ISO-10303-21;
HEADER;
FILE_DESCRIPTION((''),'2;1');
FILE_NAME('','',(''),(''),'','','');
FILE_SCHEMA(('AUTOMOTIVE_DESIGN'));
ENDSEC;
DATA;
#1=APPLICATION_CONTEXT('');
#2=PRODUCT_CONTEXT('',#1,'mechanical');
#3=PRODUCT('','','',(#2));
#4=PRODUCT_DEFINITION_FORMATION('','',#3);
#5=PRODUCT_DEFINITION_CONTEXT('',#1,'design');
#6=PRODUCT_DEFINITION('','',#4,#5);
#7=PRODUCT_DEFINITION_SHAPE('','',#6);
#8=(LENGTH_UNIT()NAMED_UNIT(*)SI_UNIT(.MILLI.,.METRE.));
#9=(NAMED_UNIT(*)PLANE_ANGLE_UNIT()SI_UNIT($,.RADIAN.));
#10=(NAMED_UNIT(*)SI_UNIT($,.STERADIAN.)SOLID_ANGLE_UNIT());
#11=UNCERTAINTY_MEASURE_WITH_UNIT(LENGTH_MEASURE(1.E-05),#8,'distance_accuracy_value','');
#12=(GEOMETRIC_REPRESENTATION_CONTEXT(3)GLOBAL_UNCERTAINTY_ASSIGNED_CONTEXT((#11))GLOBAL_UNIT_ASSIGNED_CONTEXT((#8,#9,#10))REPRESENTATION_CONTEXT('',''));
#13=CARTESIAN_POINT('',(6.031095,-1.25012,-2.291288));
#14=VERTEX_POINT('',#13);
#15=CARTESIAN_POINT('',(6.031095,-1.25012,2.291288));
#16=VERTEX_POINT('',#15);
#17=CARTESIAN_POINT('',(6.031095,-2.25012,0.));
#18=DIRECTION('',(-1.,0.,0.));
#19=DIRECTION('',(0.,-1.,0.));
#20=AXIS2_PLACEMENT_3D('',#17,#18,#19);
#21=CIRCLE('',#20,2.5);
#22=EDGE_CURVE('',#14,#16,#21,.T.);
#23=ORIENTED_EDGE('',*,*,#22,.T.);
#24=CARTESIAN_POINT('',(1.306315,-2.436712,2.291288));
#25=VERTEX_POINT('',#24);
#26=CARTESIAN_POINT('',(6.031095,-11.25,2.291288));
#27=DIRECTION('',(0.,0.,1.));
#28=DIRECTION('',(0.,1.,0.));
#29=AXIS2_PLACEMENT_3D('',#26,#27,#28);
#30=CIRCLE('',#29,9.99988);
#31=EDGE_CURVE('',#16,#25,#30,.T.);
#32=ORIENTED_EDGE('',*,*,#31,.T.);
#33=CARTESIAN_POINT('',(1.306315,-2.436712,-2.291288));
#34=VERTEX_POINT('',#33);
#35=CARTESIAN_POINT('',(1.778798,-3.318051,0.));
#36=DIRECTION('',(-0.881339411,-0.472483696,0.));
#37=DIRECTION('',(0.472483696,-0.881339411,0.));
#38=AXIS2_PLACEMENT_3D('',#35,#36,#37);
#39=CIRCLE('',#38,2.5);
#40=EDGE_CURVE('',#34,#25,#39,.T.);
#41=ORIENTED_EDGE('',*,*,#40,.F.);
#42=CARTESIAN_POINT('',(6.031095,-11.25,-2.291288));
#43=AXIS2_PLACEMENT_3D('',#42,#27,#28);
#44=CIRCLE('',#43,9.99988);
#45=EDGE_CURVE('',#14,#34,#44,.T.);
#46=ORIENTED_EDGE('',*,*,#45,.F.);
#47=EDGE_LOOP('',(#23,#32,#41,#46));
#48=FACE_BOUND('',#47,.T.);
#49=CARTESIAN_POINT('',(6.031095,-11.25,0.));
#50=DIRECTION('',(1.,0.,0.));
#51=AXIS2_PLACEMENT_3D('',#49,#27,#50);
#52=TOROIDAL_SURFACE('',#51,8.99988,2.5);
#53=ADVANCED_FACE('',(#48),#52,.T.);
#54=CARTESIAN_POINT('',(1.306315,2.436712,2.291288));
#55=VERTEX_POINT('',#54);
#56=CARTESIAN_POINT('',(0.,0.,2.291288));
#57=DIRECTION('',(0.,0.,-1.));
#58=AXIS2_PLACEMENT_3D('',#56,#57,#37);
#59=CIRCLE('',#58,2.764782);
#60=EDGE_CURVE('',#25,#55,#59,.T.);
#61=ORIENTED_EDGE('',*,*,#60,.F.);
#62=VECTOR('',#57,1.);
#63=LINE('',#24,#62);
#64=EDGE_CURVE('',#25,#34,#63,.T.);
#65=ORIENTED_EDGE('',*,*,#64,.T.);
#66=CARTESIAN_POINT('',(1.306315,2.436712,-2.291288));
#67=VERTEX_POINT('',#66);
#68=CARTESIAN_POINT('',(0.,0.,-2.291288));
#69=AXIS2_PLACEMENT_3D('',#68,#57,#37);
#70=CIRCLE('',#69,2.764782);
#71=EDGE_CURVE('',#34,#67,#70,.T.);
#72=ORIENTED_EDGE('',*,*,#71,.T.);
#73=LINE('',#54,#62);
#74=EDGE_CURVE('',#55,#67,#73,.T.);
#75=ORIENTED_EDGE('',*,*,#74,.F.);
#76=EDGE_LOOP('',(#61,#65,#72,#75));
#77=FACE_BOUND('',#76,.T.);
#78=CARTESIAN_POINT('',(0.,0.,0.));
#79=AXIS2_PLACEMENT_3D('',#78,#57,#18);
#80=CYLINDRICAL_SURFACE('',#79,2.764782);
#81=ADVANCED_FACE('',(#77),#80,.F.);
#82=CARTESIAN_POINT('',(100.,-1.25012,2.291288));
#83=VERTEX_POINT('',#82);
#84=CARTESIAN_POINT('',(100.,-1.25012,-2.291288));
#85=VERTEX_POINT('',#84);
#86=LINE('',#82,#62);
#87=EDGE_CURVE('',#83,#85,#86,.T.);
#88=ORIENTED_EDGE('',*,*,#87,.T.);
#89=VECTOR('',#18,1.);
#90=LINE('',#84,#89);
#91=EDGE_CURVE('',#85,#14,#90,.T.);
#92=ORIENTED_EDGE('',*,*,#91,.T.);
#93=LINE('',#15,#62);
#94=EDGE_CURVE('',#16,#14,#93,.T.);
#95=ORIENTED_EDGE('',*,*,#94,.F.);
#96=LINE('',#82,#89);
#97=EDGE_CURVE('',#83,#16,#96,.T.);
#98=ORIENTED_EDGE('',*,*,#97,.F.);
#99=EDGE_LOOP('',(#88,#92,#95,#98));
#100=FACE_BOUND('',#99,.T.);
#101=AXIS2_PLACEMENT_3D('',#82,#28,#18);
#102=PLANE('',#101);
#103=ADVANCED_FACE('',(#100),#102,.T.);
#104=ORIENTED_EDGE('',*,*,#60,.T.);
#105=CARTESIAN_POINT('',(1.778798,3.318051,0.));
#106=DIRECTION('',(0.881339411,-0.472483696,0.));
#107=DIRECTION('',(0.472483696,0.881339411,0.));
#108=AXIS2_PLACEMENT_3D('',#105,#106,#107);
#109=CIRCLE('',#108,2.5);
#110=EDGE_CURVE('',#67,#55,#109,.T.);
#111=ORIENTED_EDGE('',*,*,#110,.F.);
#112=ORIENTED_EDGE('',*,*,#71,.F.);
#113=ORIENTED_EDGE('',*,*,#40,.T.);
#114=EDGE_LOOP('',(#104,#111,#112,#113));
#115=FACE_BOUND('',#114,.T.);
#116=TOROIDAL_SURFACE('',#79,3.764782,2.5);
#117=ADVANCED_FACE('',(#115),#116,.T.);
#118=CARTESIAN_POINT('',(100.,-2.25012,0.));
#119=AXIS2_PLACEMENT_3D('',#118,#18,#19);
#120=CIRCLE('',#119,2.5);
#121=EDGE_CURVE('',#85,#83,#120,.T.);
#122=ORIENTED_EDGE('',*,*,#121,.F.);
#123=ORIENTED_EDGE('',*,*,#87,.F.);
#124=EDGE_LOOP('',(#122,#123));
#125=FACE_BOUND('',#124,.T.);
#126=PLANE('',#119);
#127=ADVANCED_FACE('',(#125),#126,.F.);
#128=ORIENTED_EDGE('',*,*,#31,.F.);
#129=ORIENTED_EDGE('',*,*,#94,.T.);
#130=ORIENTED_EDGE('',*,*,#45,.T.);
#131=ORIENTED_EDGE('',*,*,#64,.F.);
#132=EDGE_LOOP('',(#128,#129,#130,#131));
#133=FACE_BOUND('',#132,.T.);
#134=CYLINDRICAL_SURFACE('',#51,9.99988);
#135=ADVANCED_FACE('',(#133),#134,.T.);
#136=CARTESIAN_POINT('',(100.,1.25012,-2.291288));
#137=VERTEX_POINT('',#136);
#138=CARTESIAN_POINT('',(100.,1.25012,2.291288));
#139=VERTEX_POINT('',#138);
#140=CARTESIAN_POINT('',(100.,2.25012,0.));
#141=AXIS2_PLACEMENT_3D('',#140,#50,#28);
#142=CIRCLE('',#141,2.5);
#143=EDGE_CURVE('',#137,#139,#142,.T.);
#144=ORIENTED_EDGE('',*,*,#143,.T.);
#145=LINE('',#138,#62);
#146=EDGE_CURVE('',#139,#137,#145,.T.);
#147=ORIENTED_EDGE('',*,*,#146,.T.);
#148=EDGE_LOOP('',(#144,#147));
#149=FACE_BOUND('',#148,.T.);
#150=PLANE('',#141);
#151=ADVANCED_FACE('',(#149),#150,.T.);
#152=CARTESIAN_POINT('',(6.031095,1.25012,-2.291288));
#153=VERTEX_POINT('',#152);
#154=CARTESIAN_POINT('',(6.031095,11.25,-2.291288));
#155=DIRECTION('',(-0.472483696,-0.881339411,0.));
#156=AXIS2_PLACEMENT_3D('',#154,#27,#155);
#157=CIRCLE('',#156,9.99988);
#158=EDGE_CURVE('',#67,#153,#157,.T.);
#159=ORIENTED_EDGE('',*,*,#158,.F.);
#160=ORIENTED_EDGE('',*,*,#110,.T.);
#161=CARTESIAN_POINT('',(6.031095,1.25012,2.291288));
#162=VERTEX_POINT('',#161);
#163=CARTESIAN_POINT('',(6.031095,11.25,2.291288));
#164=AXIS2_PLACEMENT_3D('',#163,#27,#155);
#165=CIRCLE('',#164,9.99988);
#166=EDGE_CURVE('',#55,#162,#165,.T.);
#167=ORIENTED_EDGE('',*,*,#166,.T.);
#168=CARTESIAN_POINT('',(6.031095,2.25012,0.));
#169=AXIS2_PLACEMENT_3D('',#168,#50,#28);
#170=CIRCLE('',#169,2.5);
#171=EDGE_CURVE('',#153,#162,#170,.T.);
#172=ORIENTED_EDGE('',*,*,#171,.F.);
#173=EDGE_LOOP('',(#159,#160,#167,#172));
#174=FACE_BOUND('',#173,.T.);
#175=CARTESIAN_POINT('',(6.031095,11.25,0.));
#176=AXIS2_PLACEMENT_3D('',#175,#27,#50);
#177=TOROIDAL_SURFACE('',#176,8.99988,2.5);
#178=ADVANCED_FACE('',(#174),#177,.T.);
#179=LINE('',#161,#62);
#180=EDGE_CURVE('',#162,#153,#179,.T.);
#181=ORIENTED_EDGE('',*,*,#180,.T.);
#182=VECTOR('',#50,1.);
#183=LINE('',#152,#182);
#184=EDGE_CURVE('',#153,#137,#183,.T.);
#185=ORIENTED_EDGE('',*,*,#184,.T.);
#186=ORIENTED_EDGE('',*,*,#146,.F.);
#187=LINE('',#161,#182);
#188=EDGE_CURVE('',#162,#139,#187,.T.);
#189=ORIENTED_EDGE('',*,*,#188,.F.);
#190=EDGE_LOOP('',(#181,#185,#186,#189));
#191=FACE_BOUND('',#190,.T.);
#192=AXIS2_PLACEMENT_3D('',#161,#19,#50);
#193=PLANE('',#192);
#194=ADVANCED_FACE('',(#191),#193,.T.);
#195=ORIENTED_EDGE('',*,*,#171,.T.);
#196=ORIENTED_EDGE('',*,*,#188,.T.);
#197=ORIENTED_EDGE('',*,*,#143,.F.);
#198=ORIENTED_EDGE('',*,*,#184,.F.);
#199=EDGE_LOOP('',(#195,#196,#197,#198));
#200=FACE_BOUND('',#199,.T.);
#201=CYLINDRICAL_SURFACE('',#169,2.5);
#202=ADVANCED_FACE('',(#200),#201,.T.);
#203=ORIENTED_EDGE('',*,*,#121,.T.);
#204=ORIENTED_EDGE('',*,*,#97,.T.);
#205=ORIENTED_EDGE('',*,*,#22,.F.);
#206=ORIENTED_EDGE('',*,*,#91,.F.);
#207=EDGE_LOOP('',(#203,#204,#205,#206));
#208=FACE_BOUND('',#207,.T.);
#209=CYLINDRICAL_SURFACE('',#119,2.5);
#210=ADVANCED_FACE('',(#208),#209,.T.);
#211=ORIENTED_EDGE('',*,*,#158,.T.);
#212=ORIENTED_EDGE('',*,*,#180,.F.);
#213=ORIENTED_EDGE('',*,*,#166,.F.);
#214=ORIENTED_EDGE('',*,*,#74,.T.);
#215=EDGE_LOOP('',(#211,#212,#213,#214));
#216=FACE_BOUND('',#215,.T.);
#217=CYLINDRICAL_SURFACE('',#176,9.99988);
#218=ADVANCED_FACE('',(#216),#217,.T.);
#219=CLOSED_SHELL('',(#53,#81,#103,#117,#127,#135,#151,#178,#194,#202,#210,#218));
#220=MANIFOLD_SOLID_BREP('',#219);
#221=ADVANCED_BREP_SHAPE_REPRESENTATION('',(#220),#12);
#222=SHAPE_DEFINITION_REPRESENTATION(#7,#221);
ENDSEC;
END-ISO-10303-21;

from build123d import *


with BuildPart() as part:
    # Sweep1: sweep along a path in Sketch1
    with BuildLine(Plane.XY) as sweep1_path:
        Line((100, 1.25), (6.031094843, 1.25))
        ThreePointArc((6.031094843, 1.25), (3.595313767, 1.551187158), (1.306257886, 2.43660589))
        ThreePointArc((1.306257886, 2.43660589), (-2.764662354, 0), (1.306257886, -2.43660589))
        ThreePointArc((1.306257886, -2.43660589), (3.595313767, -1.551187158), (6.031094843, -1.25))
        Line((6.031094843, -1.25), (100, -1.25))
    # Sketch2 → Sweep1 (sweep)
    with BuildSketch(Plane(origin=(100, 1.25, 0), x_dir=(0, 0, -1), z_dir=(1, 0, 0))):
        with BuildLine():
            Line((-2.291287847, 0.000119839), (2.291287847, 0.000119839))
            ThreePointArc((2.291287847, 0.000119839), (0, 3.500119839), (-2.291287847, 0.000119839))
        make_face()
    sweep(path=sweep1_path.line)


solid = part.part
